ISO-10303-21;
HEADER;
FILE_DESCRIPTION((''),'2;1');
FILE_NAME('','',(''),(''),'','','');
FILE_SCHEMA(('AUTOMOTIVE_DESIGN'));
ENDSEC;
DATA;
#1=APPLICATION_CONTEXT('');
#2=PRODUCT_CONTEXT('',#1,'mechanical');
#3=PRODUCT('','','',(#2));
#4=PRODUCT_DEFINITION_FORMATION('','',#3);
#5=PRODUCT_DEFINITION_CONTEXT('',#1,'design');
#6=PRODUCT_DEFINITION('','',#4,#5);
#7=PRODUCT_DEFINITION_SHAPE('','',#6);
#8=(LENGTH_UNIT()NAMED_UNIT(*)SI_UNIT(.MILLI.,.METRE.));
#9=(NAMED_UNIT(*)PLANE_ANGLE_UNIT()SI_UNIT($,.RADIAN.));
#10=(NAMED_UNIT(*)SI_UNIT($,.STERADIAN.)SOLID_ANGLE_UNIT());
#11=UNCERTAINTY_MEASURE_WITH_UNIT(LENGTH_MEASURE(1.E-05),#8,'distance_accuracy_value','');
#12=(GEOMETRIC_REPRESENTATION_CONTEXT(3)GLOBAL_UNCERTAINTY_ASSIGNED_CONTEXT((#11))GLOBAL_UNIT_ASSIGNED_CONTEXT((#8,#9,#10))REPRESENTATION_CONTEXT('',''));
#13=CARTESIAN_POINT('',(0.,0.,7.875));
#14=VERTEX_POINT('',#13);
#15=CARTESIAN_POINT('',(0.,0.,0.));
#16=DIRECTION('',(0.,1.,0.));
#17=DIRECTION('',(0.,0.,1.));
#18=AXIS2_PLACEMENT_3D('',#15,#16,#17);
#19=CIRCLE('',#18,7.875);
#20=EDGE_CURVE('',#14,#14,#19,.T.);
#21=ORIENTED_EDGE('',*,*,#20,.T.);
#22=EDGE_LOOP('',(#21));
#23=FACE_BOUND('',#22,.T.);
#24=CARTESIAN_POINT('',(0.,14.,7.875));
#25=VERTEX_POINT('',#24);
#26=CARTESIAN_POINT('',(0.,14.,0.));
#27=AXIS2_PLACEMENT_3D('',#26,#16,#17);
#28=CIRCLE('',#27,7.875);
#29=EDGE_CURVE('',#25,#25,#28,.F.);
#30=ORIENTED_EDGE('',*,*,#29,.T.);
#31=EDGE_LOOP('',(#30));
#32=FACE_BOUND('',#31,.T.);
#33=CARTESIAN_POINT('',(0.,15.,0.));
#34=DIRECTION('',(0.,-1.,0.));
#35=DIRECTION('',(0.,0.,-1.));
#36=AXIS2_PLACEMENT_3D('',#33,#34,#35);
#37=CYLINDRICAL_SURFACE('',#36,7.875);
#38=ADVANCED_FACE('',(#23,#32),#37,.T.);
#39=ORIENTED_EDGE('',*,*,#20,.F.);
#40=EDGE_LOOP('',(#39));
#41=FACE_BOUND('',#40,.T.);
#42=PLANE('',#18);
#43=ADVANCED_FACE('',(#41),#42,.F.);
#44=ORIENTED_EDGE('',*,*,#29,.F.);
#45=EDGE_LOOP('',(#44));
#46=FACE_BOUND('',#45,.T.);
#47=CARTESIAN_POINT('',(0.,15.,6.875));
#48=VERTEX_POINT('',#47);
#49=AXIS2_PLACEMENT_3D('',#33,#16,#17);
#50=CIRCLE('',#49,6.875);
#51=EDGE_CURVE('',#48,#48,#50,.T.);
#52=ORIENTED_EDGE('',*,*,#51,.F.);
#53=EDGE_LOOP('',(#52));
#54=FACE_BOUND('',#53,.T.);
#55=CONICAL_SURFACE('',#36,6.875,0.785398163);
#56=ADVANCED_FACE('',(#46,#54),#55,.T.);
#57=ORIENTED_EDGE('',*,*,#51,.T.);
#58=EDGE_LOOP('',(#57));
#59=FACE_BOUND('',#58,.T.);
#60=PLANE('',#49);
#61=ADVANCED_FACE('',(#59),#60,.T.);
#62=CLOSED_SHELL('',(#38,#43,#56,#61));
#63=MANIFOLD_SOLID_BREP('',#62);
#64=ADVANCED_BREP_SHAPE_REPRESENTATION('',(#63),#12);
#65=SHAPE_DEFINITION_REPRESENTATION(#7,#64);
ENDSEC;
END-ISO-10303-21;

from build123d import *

# Parameters (mm, degrees)
SKETCH_1_R      = 7.875
EXTRUDE_1_DEPTH = 15
CHAMFER_1_SIZE  = 1


with BuildPart() as part:
    # Эскиз1 → Бобышка-Вытянуть1 (new body)
    with BuildSketch(Plane(origin=(0, 0, 0), x_dir=(1, 0, 0), z_dir=(0, 1, 0))):
        with Locations(Location((0, 0, 0), (0, 0, 270))):
            Circle(SKETCH_1_R)
    extrude(amount=EXTRUDE_1_DEPTH)

    # Фаска1
    chamfer_1_edges = [part.edges().sort_by_distance(p)[0] for p in [
        (0, 15, -7.875),
    ]]
    chamfer(chamfer_1_edges, length=CHAMFER_1_SIZE)


solid = part.part
